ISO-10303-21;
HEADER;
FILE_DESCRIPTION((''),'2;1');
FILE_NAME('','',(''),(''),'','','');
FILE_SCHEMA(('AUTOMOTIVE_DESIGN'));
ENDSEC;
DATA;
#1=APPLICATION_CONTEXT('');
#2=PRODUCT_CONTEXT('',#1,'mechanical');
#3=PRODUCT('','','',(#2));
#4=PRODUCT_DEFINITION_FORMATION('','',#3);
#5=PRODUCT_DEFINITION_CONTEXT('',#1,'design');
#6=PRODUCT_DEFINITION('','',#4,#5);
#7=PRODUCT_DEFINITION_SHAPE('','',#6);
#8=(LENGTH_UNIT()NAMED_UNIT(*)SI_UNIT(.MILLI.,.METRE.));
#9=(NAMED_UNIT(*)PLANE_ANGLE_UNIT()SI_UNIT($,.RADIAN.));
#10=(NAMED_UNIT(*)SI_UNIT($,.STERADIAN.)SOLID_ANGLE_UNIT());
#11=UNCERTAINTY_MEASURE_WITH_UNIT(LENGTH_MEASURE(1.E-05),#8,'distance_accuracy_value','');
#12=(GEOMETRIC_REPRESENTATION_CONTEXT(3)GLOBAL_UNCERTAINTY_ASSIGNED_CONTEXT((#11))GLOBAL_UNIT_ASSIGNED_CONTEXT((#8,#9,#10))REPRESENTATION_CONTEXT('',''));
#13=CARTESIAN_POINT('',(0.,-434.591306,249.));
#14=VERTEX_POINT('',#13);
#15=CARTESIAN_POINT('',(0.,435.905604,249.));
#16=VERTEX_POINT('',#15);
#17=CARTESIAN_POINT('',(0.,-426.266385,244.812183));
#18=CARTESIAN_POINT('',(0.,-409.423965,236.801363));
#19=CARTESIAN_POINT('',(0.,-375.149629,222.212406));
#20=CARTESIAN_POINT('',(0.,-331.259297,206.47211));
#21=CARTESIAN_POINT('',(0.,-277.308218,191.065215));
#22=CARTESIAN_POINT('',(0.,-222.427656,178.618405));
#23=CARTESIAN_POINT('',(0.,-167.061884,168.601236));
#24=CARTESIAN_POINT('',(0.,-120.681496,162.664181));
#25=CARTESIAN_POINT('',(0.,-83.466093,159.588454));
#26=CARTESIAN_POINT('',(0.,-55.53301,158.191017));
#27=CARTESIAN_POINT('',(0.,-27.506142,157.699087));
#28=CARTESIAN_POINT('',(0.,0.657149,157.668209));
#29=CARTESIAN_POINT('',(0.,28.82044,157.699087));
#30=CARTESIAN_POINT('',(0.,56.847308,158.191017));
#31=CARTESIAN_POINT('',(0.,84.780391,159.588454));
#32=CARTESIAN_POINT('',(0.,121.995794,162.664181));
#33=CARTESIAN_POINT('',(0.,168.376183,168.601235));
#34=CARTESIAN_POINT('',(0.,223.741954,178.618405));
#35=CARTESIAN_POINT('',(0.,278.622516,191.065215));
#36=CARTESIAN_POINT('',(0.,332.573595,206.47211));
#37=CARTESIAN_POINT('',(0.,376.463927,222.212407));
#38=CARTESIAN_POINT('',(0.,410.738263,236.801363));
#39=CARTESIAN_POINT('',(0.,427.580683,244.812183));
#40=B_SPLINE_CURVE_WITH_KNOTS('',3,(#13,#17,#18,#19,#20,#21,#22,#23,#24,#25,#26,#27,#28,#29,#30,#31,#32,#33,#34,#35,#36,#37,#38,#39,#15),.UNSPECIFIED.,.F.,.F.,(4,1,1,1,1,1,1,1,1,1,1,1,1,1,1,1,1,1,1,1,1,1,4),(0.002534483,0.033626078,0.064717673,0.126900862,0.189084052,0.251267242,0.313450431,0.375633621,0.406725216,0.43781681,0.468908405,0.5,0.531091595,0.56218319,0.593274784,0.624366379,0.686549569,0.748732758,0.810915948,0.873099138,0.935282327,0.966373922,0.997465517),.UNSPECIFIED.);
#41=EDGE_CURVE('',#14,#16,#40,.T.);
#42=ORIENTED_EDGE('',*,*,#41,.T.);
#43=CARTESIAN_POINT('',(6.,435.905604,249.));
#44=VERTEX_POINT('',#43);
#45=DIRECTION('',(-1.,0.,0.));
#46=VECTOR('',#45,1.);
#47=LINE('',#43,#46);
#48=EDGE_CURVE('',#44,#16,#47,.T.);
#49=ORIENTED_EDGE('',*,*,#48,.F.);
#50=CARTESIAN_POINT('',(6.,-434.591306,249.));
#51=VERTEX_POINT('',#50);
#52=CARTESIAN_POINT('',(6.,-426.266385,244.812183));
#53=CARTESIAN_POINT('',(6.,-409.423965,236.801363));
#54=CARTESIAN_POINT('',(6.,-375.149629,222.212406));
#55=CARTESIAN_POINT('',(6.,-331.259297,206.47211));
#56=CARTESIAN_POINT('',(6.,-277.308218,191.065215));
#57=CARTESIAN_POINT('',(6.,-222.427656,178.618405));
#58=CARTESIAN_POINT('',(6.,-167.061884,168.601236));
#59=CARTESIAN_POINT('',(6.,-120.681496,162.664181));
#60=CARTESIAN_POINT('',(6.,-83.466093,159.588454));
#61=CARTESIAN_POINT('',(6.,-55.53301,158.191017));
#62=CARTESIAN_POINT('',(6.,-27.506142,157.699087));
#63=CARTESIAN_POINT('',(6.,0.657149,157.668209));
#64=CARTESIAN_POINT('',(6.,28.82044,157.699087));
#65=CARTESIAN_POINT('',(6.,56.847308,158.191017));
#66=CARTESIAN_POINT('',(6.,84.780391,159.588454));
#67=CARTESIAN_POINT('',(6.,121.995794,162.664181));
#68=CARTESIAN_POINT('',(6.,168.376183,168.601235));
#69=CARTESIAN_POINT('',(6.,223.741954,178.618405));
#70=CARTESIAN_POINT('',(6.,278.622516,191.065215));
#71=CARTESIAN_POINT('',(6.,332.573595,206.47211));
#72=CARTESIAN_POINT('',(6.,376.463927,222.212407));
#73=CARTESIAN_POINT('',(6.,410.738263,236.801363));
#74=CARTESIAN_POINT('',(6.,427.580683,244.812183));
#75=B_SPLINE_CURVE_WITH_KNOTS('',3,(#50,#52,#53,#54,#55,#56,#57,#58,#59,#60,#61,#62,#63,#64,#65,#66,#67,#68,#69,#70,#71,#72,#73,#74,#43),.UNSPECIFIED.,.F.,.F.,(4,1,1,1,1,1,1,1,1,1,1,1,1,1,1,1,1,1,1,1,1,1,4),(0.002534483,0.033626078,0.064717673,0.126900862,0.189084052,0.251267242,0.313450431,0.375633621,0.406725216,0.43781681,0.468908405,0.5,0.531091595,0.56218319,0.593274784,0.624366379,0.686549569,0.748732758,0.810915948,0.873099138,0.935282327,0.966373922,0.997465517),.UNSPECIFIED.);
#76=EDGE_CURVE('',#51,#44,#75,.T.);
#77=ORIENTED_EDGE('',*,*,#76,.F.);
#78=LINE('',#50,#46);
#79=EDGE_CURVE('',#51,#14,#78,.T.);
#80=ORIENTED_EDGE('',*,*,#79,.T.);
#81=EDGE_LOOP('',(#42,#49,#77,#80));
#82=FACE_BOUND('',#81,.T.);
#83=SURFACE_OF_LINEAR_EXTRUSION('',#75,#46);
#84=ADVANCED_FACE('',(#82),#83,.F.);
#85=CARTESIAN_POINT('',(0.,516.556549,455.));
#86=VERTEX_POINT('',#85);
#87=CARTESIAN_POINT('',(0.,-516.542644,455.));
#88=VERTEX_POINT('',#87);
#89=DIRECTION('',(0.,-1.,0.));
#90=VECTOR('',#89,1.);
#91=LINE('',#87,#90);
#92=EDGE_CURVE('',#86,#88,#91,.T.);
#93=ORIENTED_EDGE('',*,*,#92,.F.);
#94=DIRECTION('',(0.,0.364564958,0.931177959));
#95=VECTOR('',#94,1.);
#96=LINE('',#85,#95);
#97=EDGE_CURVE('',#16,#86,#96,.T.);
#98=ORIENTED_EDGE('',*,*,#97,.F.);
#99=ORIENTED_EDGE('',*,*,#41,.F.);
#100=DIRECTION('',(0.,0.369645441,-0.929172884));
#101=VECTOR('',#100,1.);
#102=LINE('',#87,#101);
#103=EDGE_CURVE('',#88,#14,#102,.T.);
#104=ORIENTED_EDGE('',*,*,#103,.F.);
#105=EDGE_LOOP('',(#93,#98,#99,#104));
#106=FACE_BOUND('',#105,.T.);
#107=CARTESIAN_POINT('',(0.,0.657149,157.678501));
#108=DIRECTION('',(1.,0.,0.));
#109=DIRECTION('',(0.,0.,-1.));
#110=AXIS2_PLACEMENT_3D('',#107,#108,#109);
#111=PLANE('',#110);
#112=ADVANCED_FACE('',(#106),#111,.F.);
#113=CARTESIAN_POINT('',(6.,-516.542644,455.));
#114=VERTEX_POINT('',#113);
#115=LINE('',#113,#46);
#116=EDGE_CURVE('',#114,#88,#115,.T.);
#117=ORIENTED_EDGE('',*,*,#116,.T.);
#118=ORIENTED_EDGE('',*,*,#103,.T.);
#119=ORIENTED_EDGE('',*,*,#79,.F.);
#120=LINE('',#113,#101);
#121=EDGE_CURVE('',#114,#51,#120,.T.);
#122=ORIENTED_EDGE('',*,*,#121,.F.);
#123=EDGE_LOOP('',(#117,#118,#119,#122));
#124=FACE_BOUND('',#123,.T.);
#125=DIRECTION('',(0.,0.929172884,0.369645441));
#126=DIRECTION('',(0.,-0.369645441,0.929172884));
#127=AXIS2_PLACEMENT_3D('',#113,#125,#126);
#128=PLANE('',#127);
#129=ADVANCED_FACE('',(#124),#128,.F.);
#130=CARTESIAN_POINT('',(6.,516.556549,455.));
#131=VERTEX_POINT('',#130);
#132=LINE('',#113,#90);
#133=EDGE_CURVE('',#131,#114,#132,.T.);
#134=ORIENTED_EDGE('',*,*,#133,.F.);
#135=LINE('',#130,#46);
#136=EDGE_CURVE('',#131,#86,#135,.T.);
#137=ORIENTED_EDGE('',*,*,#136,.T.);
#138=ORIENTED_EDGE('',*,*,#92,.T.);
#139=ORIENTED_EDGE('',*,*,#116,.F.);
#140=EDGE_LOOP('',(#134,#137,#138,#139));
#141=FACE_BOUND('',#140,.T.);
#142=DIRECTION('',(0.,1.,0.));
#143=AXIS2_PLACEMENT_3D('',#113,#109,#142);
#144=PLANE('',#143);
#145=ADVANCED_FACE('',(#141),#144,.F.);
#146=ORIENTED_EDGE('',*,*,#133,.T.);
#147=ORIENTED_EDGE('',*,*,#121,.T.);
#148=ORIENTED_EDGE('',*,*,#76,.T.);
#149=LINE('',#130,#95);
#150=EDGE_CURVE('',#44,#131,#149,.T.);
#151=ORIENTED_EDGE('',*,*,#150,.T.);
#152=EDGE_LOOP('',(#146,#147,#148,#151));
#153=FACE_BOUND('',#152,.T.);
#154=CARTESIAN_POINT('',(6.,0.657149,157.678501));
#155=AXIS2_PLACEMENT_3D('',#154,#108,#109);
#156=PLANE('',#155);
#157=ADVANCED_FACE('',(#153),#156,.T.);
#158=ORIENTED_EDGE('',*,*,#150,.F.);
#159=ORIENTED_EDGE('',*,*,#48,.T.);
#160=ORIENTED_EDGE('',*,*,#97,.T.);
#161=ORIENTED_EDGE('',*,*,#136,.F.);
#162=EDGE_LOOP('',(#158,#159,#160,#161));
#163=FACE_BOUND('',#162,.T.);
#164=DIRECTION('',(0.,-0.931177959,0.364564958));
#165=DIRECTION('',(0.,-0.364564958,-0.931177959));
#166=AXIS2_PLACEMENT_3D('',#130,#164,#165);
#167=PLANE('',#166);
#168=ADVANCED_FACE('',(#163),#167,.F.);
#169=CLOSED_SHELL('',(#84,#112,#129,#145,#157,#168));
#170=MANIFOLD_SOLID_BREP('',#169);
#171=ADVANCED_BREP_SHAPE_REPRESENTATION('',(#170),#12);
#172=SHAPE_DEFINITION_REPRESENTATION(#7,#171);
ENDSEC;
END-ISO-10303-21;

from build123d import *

# Parameters (mm, degrees)
EXTRUDE_3_DEPTH = 6


with BuildPart() as part:
    # Эскиз1 → Бобышка-Вытянуть3 (new body)
    with BuildSketch(Plane(origin=(0, 0, 0), x_dir=(0, 0, -1), z_dir=(1, 0, 0))):
        with BuildLine():
            Line((-455, -516.542644104), (-455, 516.556548518))
            Line((-455, 516.556548518), (-248.999999692, 435.905604479))
            add(Edge.make_bspline(
                [(-248.999999692, 435.905604479), (-244.812182794, 427.580683135), (-236.801363167, 410.73826292), (-222.212406758, 376.463926678), (-206.472110198, 332.573595341), (-191.065214882, 278.622516157), (-178.618404528, 223.741954043), (-168.601235151, 168.376182512), (-162.664180548, 121.995794186), (-159.588454358, 84.78039118), (-158.191016915, 56.847307797), (-157.699086883, 28.820440013), (-157.668208508, 0.657149051), (-157.69908686, -27.506141911), (-158.191016904, -55.533009684), (-159.588454431, -83.466093036), (-162.664180797, -120.681496001), (-168.601235656, -167.061884287), (-178.618405136, -222.427655869), (-191.065215126, -277.308218149), (-206.47210996, -331.259297463), (-222.212406313, -375.149628797), (-236.801362845, -409.423964908), (-244.812182664, -426.266385019), (-248.999999692, -434.591306286)],
                knots=[0.002534483, 0.002534483, 0.002534483, 0.002534483, 0.033626078, 0.064717673, 0.126900862, 0.189084052, 0.251267242, 0.313450431, 0.375633621, 0.406725216, 0.43781681, 0.468908405, 0.5, 0.531091595, 0.56218319, 0.593274784, 0.624366379, 0.686549569, 0.748732758, 0.810915948, 0.873099138, 0.935282327, 0.966373922, 0.997465517, 0.997465517, 0.997465517, 0.997465517], degree=3))
            Line((-248.999999692, -434.591306286), (-455, -516.542644104))
        make_face()
    extrude(amount=EXTRUDE_3_DEPTH)


solid = part.part
